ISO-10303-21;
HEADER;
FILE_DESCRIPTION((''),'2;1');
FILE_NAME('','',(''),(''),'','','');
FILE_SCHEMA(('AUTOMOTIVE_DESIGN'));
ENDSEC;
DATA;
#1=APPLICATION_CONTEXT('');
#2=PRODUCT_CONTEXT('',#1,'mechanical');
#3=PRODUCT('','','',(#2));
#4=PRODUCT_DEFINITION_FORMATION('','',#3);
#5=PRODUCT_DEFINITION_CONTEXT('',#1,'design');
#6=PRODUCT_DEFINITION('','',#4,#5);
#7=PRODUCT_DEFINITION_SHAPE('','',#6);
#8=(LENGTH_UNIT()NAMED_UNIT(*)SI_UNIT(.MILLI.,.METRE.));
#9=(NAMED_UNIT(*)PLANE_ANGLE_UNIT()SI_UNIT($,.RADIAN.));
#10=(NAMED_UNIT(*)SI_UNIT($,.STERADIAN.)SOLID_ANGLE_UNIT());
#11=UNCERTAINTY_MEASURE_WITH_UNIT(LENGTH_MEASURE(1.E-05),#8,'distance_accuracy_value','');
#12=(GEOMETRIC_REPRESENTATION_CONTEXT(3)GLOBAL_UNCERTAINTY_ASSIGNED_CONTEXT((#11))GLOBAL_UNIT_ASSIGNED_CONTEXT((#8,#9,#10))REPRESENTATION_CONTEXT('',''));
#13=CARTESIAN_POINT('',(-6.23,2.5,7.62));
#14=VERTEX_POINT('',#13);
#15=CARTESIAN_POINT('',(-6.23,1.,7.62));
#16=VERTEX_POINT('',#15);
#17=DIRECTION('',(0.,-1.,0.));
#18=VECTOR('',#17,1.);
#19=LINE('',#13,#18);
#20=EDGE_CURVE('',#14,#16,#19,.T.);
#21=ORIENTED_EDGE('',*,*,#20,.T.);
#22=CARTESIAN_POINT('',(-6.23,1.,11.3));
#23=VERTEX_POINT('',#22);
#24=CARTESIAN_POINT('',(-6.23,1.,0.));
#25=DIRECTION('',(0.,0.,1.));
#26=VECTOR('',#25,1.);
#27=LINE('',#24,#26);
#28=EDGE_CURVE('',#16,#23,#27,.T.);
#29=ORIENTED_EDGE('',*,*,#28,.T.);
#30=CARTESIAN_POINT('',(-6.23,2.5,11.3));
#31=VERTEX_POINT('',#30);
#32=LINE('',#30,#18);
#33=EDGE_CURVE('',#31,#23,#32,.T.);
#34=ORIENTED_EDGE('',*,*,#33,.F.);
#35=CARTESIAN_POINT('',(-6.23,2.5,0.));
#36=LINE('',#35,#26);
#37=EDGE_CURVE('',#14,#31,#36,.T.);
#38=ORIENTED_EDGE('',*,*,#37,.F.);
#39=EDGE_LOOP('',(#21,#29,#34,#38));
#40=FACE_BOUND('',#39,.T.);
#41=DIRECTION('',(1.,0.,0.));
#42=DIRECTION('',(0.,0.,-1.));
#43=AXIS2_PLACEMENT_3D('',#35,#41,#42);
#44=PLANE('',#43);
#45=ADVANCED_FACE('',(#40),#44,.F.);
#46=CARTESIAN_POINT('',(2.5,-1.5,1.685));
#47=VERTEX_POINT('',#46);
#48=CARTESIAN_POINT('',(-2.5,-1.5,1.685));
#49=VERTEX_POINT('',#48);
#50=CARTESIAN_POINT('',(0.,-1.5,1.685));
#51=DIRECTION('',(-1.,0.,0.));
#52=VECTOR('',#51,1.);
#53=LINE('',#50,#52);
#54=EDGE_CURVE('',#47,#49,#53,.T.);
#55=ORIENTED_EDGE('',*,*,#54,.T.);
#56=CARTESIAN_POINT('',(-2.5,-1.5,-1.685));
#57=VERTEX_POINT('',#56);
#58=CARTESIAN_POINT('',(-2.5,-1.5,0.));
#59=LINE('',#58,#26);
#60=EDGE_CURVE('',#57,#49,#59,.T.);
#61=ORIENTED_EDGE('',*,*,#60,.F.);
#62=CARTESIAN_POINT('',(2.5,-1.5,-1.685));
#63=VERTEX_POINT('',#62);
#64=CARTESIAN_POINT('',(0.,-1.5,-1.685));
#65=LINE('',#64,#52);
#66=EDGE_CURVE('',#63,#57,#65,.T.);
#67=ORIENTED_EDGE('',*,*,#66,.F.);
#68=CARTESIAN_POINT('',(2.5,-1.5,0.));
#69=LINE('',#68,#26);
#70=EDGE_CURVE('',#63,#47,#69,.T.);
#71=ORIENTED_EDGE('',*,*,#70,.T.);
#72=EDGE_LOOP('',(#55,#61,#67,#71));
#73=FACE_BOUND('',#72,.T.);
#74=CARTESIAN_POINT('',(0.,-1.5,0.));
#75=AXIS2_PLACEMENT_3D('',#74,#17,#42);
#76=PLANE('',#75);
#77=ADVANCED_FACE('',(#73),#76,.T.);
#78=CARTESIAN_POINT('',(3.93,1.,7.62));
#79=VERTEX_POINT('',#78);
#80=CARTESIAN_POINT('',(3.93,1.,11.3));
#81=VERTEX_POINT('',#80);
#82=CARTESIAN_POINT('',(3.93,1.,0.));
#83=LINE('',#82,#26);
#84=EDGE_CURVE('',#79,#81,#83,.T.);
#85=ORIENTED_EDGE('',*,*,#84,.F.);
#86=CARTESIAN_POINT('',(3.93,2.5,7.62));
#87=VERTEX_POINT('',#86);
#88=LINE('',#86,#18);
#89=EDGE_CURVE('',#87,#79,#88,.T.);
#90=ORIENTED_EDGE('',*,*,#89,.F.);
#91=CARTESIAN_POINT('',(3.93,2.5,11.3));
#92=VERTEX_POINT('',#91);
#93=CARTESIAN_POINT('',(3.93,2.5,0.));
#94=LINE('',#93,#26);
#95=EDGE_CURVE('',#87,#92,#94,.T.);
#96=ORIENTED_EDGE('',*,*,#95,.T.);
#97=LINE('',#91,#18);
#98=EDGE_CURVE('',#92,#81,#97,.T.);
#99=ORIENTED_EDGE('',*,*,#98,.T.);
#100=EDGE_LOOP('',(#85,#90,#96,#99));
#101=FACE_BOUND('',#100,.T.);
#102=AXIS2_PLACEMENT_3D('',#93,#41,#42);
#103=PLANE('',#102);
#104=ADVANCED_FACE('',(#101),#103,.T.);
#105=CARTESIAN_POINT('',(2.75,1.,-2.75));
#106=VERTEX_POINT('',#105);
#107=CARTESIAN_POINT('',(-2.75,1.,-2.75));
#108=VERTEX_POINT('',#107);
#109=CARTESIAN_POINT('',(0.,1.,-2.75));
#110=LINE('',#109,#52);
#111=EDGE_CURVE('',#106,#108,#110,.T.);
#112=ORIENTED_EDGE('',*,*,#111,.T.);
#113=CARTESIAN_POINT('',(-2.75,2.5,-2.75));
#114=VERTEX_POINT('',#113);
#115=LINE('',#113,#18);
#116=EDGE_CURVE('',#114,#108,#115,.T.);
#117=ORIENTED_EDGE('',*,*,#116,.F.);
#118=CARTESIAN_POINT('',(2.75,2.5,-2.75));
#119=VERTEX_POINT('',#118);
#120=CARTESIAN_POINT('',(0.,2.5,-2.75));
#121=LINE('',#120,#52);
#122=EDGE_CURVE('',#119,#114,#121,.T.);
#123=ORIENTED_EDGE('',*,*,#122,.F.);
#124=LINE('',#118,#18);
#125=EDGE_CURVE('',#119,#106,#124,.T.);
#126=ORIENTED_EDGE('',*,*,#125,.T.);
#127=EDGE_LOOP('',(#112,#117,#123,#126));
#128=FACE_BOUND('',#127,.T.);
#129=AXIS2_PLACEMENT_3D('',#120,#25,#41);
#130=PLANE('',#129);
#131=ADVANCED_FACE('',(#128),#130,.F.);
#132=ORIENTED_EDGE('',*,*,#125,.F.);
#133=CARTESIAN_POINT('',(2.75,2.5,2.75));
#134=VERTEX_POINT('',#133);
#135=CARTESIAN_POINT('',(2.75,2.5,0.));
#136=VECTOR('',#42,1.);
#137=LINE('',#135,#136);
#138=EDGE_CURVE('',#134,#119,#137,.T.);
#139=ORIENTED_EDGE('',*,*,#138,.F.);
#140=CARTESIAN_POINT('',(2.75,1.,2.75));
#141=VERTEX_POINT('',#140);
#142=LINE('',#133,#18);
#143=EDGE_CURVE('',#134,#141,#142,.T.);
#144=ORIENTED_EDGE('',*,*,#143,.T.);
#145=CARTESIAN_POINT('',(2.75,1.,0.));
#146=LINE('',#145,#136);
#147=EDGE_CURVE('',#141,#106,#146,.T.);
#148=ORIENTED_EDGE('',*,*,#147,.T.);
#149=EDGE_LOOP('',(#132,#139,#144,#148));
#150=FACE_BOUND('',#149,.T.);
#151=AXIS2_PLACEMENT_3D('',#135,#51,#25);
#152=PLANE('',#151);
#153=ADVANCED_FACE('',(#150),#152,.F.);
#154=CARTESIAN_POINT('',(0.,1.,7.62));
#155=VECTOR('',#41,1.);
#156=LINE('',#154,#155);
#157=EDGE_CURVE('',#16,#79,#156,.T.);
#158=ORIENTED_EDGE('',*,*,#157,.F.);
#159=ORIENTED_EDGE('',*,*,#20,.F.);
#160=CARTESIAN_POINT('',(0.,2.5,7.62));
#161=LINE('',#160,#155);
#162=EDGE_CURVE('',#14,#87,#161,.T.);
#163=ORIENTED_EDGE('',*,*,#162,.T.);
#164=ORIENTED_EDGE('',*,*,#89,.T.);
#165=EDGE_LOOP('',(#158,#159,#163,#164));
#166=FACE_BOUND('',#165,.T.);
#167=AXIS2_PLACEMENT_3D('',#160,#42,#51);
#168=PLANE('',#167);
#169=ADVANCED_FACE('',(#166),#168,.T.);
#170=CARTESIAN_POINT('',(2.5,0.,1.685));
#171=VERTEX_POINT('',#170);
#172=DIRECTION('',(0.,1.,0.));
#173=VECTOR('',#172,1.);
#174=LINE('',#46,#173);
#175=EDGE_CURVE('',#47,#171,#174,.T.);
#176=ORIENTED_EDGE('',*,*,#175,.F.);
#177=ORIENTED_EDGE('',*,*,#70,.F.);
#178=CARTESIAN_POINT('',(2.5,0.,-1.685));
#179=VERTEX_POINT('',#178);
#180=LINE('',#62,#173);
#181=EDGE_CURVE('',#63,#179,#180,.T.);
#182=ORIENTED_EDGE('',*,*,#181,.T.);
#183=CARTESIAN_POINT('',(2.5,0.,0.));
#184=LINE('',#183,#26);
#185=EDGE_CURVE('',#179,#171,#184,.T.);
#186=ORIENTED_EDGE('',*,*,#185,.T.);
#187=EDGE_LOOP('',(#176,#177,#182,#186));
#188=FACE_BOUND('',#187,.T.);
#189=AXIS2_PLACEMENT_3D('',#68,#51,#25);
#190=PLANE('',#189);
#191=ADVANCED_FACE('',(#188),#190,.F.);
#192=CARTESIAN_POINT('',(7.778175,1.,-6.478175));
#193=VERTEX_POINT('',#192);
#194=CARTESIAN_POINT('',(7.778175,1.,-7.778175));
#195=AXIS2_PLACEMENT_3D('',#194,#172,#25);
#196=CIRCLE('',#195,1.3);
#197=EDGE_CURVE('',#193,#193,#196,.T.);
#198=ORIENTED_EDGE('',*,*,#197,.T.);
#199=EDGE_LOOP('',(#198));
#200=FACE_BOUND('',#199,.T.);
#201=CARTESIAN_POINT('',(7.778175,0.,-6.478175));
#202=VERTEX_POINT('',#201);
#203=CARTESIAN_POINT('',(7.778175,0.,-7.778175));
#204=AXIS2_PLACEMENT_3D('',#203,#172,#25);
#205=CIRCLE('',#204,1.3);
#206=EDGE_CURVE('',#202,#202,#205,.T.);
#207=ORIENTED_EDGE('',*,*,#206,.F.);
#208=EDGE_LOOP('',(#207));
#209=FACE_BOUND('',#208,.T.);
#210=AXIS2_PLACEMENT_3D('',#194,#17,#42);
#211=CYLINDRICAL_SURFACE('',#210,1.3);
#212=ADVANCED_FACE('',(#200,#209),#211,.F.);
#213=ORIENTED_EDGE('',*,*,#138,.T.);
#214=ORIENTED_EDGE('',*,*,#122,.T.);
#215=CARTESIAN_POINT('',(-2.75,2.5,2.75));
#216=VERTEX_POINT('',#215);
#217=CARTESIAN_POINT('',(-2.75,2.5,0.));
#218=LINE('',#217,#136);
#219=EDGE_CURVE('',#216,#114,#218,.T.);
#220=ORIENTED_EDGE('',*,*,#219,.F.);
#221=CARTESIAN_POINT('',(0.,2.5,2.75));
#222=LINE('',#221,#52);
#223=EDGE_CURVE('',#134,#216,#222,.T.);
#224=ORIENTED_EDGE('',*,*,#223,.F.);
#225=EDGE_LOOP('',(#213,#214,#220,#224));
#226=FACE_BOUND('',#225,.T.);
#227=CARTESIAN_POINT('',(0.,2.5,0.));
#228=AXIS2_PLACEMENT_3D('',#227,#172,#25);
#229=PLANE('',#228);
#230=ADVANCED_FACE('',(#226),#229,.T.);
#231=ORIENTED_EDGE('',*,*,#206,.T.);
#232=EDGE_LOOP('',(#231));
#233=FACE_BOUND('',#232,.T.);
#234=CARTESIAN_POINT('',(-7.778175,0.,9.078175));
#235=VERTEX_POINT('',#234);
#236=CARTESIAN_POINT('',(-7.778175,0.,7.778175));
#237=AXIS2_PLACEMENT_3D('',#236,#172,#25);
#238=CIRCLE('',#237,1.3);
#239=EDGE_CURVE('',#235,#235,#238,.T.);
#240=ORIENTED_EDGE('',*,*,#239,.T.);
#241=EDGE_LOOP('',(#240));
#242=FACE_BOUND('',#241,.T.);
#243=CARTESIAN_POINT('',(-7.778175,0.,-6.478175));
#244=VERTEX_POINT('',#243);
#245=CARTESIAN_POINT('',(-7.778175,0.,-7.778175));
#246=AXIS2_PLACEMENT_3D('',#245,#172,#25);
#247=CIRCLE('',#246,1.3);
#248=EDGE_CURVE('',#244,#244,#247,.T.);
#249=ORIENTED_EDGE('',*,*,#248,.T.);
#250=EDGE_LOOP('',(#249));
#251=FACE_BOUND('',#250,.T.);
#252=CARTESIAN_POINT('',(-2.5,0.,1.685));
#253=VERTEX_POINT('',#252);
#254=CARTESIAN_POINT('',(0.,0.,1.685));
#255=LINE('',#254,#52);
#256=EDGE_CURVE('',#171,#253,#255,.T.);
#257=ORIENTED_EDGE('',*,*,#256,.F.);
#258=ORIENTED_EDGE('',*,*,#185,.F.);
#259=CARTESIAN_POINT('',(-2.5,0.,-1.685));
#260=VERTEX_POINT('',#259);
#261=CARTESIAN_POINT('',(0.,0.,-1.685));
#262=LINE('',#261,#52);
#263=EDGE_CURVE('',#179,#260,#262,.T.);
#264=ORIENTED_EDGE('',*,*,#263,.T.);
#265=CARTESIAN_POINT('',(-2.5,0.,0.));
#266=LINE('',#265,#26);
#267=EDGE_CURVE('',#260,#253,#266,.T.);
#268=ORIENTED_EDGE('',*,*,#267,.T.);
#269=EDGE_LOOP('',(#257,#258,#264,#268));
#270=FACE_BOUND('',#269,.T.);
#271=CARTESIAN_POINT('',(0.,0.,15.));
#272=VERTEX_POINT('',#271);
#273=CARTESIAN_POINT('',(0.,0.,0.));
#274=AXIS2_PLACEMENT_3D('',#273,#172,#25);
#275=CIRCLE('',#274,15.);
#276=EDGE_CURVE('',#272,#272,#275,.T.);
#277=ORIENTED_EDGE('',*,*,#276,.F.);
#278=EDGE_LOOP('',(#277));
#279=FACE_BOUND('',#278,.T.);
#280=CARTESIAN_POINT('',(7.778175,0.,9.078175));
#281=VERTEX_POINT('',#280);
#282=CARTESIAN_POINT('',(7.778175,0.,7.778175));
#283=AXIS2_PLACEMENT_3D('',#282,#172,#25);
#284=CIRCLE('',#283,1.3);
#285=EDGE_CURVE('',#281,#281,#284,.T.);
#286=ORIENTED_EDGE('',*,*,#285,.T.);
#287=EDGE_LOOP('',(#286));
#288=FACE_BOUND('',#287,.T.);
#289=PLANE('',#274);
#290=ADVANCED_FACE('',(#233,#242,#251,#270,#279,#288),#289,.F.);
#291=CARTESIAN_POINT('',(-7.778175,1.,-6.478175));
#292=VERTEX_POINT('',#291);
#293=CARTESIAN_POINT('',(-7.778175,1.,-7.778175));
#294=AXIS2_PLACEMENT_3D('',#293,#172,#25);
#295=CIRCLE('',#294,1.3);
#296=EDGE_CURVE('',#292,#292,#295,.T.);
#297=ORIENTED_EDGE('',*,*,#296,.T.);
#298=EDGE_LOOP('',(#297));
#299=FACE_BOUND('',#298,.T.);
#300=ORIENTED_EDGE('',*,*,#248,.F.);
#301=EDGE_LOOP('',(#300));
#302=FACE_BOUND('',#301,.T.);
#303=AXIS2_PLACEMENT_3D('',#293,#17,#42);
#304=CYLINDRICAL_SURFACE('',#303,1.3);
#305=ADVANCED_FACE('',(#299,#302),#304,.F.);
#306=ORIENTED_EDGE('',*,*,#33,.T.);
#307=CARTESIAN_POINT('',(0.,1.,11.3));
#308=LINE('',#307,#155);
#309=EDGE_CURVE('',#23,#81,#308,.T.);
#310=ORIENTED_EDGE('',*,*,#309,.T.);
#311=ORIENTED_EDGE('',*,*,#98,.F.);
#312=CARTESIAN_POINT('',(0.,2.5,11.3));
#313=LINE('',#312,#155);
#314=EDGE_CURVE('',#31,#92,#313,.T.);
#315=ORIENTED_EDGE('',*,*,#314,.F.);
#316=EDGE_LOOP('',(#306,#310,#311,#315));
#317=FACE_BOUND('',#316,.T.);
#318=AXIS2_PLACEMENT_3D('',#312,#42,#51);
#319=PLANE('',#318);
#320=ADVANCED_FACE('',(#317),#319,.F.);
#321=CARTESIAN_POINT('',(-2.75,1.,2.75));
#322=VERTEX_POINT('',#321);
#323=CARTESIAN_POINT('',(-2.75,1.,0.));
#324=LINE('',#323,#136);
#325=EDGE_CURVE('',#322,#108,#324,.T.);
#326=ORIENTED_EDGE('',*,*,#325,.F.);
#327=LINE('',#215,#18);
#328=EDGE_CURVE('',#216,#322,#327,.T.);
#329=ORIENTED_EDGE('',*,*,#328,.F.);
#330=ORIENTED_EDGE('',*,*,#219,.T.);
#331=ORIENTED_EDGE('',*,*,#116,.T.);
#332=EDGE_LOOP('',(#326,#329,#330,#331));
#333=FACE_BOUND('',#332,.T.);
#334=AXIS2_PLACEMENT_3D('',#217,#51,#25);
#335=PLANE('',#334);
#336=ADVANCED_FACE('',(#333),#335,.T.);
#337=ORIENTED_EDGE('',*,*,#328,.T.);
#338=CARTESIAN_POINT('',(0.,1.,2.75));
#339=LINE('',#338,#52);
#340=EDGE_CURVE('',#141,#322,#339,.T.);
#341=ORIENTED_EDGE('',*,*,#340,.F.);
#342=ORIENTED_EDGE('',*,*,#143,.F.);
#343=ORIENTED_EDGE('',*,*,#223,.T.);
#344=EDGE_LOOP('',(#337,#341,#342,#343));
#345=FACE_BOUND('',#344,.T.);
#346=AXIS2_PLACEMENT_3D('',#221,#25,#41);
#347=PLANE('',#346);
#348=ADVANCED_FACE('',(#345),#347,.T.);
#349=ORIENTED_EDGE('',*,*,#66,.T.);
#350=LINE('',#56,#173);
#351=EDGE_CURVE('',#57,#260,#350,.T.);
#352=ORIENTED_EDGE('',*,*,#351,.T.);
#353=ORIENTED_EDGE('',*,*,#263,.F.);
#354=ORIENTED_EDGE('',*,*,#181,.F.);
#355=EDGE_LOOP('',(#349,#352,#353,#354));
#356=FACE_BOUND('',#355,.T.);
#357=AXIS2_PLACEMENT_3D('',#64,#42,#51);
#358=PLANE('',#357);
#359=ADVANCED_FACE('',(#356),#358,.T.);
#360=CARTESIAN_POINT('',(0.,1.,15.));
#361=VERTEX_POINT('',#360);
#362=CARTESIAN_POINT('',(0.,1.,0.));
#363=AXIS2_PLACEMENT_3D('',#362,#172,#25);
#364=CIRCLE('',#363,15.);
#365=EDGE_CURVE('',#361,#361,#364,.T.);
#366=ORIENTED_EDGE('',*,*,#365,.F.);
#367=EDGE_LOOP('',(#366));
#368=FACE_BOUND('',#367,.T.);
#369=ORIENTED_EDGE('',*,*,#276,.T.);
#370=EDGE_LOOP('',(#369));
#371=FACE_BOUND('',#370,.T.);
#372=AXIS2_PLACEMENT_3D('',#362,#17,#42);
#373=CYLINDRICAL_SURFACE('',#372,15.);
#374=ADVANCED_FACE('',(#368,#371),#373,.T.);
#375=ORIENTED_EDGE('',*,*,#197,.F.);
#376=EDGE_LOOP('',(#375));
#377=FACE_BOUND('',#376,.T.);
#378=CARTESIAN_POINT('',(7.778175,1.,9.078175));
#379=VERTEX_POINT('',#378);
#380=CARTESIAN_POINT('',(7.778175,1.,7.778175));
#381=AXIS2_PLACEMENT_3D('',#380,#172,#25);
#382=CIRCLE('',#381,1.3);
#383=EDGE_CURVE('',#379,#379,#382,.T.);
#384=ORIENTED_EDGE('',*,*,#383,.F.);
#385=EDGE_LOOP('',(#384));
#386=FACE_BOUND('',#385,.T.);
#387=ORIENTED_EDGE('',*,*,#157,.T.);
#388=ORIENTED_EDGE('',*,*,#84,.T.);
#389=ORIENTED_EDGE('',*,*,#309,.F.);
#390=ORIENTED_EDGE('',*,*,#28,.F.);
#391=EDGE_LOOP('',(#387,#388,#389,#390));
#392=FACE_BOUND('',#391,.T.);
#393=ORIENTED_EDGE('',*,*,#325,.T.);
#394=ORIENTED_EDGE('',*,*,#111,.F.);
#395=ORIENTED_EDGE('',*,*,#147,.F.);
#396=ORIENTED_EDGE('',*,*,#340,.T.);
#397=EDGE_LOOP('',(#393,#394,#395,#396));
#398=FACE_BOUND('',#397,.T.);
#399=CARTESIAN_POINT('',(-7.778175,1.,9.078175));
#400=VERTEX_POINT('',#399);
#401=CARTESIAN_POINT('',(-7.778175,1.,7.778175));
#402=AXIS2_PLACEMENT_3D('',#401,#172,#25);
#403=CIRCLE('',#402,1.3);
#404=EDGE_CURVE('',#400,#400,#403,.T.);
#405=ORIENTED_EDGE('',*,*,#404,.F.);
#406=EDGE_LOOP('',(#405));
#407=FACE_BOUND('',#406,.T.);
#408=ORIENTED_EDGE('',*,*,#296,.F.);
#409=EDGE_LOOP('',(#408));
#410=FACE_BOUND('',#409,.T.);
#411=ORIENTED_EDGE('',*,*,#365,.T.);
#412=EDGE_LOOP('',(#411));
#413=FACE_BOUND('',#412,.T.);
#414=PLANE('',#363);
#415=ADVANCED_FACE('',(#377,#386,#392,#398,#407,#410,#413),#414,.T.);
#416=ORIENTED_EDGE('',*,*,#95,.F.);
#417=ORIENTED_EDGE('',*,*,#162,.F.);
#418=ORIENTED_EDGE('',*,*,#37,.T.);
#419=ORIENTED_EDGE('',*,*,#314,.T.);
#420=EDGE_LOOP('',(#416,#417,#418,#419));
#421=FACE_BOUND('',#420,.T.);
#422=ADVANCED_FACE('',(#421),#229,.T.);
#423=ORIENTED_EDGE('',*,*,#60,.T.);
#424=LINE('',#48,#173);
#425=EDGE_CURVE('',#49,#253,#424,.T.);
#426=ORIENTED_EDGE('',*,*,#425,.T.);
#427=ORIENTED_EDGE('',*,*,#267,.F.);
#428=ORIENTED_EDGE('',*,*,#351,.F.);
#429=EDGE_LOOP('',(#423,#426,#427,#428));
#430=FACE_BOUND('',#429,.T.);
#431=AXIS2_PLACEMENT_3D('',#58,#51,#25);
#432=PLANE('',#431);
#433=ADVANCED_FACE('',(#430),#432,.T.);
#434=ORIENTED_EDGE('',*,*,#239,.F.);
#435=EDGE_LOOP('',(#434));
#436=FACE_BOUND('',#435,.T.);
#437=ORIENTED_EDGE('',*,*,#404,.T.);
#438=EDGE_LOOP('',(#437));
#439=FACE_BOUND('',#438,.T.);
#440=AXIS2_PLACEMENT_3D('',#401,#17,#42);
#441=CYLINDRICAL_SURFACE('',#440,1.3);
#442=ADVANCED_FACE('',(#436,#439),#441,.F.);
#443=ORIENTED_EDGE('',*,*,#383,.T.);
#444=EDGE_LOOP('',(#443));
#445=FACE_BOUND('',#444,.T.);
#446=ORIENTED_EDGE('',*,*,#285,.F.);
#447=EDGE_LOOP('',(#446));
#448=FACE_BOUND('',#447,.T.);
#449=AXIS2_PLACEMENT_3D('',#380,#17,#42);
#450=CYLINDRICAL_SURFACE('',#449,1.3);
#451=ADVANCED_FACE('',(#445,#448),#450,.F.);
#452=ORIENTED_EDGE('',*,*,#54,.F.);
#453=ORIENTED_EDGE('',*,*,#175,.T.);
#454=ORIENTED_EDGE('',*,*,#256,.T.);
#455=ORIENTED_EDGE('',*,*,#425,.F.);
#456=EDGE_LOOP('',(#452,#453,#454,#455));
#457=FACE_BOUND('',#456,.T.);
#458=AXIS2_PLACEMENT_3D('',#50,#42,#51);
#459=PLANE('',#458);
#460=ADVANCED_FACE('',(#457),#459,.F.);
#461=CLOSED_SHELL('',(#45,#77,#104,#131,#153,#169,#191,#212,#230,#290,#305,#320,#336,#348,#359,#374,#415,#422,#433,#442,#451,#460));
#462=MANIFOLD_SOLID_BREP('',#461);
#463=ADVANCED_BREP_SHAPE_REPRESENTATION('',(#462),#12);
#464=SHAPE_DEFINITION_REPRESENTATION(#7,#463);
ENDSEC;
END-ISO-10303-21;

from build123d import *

# Parameters (mm, degrees)
SKETCH_1_R      = 15
SKETCH_1_R_2    = 1.3
EXTRUDE_2_DEPTH = 1
SKETCH_2_W      = 5.5
SKETCH_2_H      = 5.5
SKETCH_2_W_2    = 10.16
SKETCH_2_H_2    = 3.68
EXTRUDE_5_DEPTH = 1.5
SKETCH_3_W      = 5
SKETCH_3_H      = 3.37
EXTRUDE_7_DEPTH = 1.5


with BuildPart() as part:
    # 草图1 → 凸台-拉伸2 (new body)
    with BuildSketch(Plane(origin=(0, 0, 0), x_dir=(1, 0, 0), z_dir=(0, 1, 0))):
        Circle(SKETCH_1_R)
        with Locations((-7.778174593, 7.778174593)):
            Circle(SKETCH_1_R_2, mode=Mode.SUBTRACT)
        with Locations((7.778174593, 7.778174593)):
            Circle(SKETCH_1_R_2, mode=Mode.SUBTRACT)
        with Locations((7.778174593, -7.778174593)):
            Circle(SKETCH_1_R_2, mode=Mode.SUBTRACT)
        with Locations((-7.778174593, -7.778174593)):
            Circle(SKETCH_1_R_2, mode=Mode.SUBTRACT)
    extrude(amount=EXTRUDE_2_DEPTH)

    # 草图2 → 凸台-拉伸5 (add)
    with BuildSketch(Plane(origin=(0, 1, 0), x_dir=(1, 0, 0), z_dir=(0, 1, 0))):
        Rectangle(SKETCH_2_W, SKETCH_2_H)
        with Locations((-1.15, -9.46)):
            Rectangle(SKETCH_2_W_2, SKETCH_2_H_2)
    extrude(amount=EXTRUDE_5_DEPTH)

    # 草图3 → 凸台-拉伸7 (add)
    with BuildSketch(Plane.XZ):
        Rectangle(SKETCH_3_W, SKETCH_3_H)
    extrude(amount=EXTRUDE_7_DEPTH)


solid = part.part
